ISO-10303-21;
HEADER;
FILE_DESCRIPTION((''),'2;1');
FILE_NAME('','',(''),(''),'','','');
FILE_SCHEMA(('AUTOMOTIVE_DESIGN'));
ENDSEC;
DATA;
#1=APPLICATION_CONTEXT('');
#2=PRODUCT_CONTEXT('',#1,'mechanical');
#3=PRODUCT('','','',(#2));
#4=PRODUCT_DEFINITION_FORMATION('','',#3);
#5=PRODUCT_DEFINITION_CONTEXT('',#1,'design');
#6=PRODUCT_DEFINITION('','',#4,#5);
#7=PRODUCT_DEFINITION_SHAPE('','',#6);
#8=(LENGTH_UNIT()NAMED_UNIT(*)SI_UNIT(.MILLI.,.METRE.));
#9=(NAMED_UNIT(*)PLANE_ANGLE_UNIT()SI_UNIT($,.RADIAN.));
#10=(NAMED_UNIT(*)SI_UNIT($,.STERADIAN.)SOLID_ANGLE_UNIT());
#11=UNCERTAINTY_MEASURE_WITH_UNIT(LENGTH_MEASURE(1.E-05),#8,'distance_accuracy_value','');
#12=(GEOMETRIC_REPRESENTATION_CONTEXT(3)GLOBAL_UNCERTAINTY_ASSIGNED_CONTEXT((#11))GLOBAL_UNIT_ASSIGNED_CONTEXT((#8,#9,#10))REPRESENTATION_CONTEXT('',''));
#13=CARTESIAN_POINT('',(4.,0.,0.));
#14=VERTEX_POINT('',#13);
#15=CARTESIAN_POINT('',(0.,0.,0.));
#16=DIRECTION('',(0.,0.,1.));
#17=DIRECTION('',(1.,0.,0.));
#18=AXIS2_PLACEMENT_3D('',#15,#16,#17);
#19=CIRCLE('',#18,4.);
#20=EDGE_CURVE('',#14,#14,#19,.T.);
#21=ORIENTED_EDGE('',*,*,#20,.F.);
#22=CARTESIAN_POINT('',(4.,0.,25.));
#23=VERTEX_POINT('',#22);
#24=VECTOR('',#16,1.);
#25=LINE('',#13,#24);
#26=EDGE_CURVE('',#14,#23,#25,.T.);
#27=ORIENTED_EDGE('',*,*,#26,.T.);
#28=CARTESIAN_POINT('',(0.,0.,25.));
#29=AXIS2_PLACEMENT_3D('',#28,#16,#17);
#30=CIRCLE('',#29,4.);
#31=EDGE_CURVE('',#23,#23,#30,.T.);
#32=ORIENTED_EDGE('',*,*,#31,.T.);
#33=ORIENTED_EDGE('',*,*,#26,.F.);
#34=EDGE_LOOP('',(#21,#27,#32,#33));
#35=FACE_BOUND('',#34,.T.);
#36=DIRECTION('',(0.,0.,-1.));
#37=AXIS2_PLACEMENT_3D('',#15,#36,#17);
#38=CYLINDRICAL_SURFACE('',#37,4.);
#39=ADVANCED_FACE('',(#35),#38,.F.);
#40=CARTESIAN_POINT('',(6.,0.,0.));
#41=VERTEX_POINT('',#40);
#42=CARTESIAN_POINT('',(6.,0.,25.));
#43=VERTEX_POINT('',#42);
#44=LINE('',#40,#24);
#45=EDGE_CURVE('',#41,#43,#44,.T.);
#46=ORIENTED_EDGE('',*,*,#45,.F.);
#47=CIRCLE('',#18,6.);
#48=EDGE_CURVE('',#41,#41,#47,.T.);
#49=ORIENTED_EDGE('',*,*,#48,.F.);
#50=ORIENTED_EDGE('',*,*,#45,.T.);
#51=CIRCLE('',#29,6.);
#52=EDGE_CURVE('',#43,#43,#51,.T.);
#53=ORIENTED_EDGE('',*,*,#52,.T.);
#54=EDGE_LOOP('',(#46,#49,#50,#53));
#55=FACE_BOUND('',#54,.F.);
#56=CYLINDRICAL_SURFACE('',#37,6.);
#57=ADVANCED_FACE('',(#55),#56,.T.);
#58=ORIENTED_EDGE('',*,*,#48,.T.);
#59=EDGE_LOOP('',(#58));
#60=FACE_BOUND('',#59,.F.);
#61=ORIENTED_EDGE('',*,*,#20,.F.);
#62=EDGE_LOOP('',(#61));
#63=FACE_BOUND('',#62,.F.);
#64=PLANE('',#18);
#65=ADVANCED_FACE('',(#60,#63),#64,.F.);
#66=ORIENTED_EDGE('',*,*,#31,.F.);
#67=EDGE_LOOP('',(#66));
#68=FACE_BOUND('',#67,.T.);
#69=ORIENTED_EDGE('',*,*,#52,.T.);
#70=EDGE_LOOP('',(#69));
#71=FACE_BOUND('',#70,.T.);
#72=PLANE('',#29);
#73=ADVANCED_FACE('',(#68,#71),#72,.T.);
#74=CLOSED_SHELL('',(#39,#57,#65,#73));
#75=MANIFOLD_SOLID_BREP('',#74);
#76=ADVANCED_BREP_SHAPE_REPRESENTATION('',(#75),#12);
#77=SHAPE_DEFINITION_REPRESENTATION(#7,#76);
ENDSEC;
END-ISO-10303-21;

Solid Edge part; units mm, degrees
sketch "Sketch1" plane through (0, 0, 0) normal (0, 0, 1) x (1, 0, 0)
  circle A0 centre (0, 0) radius 4
  circle A1 centre (0, 0) radius 6
  dimension "D1" = 8
  dimension "D2" = 12
extrude "Protrusion1" add sketch "Sketch1" along normal blind 25
properties material "Nylon, allgemein"
